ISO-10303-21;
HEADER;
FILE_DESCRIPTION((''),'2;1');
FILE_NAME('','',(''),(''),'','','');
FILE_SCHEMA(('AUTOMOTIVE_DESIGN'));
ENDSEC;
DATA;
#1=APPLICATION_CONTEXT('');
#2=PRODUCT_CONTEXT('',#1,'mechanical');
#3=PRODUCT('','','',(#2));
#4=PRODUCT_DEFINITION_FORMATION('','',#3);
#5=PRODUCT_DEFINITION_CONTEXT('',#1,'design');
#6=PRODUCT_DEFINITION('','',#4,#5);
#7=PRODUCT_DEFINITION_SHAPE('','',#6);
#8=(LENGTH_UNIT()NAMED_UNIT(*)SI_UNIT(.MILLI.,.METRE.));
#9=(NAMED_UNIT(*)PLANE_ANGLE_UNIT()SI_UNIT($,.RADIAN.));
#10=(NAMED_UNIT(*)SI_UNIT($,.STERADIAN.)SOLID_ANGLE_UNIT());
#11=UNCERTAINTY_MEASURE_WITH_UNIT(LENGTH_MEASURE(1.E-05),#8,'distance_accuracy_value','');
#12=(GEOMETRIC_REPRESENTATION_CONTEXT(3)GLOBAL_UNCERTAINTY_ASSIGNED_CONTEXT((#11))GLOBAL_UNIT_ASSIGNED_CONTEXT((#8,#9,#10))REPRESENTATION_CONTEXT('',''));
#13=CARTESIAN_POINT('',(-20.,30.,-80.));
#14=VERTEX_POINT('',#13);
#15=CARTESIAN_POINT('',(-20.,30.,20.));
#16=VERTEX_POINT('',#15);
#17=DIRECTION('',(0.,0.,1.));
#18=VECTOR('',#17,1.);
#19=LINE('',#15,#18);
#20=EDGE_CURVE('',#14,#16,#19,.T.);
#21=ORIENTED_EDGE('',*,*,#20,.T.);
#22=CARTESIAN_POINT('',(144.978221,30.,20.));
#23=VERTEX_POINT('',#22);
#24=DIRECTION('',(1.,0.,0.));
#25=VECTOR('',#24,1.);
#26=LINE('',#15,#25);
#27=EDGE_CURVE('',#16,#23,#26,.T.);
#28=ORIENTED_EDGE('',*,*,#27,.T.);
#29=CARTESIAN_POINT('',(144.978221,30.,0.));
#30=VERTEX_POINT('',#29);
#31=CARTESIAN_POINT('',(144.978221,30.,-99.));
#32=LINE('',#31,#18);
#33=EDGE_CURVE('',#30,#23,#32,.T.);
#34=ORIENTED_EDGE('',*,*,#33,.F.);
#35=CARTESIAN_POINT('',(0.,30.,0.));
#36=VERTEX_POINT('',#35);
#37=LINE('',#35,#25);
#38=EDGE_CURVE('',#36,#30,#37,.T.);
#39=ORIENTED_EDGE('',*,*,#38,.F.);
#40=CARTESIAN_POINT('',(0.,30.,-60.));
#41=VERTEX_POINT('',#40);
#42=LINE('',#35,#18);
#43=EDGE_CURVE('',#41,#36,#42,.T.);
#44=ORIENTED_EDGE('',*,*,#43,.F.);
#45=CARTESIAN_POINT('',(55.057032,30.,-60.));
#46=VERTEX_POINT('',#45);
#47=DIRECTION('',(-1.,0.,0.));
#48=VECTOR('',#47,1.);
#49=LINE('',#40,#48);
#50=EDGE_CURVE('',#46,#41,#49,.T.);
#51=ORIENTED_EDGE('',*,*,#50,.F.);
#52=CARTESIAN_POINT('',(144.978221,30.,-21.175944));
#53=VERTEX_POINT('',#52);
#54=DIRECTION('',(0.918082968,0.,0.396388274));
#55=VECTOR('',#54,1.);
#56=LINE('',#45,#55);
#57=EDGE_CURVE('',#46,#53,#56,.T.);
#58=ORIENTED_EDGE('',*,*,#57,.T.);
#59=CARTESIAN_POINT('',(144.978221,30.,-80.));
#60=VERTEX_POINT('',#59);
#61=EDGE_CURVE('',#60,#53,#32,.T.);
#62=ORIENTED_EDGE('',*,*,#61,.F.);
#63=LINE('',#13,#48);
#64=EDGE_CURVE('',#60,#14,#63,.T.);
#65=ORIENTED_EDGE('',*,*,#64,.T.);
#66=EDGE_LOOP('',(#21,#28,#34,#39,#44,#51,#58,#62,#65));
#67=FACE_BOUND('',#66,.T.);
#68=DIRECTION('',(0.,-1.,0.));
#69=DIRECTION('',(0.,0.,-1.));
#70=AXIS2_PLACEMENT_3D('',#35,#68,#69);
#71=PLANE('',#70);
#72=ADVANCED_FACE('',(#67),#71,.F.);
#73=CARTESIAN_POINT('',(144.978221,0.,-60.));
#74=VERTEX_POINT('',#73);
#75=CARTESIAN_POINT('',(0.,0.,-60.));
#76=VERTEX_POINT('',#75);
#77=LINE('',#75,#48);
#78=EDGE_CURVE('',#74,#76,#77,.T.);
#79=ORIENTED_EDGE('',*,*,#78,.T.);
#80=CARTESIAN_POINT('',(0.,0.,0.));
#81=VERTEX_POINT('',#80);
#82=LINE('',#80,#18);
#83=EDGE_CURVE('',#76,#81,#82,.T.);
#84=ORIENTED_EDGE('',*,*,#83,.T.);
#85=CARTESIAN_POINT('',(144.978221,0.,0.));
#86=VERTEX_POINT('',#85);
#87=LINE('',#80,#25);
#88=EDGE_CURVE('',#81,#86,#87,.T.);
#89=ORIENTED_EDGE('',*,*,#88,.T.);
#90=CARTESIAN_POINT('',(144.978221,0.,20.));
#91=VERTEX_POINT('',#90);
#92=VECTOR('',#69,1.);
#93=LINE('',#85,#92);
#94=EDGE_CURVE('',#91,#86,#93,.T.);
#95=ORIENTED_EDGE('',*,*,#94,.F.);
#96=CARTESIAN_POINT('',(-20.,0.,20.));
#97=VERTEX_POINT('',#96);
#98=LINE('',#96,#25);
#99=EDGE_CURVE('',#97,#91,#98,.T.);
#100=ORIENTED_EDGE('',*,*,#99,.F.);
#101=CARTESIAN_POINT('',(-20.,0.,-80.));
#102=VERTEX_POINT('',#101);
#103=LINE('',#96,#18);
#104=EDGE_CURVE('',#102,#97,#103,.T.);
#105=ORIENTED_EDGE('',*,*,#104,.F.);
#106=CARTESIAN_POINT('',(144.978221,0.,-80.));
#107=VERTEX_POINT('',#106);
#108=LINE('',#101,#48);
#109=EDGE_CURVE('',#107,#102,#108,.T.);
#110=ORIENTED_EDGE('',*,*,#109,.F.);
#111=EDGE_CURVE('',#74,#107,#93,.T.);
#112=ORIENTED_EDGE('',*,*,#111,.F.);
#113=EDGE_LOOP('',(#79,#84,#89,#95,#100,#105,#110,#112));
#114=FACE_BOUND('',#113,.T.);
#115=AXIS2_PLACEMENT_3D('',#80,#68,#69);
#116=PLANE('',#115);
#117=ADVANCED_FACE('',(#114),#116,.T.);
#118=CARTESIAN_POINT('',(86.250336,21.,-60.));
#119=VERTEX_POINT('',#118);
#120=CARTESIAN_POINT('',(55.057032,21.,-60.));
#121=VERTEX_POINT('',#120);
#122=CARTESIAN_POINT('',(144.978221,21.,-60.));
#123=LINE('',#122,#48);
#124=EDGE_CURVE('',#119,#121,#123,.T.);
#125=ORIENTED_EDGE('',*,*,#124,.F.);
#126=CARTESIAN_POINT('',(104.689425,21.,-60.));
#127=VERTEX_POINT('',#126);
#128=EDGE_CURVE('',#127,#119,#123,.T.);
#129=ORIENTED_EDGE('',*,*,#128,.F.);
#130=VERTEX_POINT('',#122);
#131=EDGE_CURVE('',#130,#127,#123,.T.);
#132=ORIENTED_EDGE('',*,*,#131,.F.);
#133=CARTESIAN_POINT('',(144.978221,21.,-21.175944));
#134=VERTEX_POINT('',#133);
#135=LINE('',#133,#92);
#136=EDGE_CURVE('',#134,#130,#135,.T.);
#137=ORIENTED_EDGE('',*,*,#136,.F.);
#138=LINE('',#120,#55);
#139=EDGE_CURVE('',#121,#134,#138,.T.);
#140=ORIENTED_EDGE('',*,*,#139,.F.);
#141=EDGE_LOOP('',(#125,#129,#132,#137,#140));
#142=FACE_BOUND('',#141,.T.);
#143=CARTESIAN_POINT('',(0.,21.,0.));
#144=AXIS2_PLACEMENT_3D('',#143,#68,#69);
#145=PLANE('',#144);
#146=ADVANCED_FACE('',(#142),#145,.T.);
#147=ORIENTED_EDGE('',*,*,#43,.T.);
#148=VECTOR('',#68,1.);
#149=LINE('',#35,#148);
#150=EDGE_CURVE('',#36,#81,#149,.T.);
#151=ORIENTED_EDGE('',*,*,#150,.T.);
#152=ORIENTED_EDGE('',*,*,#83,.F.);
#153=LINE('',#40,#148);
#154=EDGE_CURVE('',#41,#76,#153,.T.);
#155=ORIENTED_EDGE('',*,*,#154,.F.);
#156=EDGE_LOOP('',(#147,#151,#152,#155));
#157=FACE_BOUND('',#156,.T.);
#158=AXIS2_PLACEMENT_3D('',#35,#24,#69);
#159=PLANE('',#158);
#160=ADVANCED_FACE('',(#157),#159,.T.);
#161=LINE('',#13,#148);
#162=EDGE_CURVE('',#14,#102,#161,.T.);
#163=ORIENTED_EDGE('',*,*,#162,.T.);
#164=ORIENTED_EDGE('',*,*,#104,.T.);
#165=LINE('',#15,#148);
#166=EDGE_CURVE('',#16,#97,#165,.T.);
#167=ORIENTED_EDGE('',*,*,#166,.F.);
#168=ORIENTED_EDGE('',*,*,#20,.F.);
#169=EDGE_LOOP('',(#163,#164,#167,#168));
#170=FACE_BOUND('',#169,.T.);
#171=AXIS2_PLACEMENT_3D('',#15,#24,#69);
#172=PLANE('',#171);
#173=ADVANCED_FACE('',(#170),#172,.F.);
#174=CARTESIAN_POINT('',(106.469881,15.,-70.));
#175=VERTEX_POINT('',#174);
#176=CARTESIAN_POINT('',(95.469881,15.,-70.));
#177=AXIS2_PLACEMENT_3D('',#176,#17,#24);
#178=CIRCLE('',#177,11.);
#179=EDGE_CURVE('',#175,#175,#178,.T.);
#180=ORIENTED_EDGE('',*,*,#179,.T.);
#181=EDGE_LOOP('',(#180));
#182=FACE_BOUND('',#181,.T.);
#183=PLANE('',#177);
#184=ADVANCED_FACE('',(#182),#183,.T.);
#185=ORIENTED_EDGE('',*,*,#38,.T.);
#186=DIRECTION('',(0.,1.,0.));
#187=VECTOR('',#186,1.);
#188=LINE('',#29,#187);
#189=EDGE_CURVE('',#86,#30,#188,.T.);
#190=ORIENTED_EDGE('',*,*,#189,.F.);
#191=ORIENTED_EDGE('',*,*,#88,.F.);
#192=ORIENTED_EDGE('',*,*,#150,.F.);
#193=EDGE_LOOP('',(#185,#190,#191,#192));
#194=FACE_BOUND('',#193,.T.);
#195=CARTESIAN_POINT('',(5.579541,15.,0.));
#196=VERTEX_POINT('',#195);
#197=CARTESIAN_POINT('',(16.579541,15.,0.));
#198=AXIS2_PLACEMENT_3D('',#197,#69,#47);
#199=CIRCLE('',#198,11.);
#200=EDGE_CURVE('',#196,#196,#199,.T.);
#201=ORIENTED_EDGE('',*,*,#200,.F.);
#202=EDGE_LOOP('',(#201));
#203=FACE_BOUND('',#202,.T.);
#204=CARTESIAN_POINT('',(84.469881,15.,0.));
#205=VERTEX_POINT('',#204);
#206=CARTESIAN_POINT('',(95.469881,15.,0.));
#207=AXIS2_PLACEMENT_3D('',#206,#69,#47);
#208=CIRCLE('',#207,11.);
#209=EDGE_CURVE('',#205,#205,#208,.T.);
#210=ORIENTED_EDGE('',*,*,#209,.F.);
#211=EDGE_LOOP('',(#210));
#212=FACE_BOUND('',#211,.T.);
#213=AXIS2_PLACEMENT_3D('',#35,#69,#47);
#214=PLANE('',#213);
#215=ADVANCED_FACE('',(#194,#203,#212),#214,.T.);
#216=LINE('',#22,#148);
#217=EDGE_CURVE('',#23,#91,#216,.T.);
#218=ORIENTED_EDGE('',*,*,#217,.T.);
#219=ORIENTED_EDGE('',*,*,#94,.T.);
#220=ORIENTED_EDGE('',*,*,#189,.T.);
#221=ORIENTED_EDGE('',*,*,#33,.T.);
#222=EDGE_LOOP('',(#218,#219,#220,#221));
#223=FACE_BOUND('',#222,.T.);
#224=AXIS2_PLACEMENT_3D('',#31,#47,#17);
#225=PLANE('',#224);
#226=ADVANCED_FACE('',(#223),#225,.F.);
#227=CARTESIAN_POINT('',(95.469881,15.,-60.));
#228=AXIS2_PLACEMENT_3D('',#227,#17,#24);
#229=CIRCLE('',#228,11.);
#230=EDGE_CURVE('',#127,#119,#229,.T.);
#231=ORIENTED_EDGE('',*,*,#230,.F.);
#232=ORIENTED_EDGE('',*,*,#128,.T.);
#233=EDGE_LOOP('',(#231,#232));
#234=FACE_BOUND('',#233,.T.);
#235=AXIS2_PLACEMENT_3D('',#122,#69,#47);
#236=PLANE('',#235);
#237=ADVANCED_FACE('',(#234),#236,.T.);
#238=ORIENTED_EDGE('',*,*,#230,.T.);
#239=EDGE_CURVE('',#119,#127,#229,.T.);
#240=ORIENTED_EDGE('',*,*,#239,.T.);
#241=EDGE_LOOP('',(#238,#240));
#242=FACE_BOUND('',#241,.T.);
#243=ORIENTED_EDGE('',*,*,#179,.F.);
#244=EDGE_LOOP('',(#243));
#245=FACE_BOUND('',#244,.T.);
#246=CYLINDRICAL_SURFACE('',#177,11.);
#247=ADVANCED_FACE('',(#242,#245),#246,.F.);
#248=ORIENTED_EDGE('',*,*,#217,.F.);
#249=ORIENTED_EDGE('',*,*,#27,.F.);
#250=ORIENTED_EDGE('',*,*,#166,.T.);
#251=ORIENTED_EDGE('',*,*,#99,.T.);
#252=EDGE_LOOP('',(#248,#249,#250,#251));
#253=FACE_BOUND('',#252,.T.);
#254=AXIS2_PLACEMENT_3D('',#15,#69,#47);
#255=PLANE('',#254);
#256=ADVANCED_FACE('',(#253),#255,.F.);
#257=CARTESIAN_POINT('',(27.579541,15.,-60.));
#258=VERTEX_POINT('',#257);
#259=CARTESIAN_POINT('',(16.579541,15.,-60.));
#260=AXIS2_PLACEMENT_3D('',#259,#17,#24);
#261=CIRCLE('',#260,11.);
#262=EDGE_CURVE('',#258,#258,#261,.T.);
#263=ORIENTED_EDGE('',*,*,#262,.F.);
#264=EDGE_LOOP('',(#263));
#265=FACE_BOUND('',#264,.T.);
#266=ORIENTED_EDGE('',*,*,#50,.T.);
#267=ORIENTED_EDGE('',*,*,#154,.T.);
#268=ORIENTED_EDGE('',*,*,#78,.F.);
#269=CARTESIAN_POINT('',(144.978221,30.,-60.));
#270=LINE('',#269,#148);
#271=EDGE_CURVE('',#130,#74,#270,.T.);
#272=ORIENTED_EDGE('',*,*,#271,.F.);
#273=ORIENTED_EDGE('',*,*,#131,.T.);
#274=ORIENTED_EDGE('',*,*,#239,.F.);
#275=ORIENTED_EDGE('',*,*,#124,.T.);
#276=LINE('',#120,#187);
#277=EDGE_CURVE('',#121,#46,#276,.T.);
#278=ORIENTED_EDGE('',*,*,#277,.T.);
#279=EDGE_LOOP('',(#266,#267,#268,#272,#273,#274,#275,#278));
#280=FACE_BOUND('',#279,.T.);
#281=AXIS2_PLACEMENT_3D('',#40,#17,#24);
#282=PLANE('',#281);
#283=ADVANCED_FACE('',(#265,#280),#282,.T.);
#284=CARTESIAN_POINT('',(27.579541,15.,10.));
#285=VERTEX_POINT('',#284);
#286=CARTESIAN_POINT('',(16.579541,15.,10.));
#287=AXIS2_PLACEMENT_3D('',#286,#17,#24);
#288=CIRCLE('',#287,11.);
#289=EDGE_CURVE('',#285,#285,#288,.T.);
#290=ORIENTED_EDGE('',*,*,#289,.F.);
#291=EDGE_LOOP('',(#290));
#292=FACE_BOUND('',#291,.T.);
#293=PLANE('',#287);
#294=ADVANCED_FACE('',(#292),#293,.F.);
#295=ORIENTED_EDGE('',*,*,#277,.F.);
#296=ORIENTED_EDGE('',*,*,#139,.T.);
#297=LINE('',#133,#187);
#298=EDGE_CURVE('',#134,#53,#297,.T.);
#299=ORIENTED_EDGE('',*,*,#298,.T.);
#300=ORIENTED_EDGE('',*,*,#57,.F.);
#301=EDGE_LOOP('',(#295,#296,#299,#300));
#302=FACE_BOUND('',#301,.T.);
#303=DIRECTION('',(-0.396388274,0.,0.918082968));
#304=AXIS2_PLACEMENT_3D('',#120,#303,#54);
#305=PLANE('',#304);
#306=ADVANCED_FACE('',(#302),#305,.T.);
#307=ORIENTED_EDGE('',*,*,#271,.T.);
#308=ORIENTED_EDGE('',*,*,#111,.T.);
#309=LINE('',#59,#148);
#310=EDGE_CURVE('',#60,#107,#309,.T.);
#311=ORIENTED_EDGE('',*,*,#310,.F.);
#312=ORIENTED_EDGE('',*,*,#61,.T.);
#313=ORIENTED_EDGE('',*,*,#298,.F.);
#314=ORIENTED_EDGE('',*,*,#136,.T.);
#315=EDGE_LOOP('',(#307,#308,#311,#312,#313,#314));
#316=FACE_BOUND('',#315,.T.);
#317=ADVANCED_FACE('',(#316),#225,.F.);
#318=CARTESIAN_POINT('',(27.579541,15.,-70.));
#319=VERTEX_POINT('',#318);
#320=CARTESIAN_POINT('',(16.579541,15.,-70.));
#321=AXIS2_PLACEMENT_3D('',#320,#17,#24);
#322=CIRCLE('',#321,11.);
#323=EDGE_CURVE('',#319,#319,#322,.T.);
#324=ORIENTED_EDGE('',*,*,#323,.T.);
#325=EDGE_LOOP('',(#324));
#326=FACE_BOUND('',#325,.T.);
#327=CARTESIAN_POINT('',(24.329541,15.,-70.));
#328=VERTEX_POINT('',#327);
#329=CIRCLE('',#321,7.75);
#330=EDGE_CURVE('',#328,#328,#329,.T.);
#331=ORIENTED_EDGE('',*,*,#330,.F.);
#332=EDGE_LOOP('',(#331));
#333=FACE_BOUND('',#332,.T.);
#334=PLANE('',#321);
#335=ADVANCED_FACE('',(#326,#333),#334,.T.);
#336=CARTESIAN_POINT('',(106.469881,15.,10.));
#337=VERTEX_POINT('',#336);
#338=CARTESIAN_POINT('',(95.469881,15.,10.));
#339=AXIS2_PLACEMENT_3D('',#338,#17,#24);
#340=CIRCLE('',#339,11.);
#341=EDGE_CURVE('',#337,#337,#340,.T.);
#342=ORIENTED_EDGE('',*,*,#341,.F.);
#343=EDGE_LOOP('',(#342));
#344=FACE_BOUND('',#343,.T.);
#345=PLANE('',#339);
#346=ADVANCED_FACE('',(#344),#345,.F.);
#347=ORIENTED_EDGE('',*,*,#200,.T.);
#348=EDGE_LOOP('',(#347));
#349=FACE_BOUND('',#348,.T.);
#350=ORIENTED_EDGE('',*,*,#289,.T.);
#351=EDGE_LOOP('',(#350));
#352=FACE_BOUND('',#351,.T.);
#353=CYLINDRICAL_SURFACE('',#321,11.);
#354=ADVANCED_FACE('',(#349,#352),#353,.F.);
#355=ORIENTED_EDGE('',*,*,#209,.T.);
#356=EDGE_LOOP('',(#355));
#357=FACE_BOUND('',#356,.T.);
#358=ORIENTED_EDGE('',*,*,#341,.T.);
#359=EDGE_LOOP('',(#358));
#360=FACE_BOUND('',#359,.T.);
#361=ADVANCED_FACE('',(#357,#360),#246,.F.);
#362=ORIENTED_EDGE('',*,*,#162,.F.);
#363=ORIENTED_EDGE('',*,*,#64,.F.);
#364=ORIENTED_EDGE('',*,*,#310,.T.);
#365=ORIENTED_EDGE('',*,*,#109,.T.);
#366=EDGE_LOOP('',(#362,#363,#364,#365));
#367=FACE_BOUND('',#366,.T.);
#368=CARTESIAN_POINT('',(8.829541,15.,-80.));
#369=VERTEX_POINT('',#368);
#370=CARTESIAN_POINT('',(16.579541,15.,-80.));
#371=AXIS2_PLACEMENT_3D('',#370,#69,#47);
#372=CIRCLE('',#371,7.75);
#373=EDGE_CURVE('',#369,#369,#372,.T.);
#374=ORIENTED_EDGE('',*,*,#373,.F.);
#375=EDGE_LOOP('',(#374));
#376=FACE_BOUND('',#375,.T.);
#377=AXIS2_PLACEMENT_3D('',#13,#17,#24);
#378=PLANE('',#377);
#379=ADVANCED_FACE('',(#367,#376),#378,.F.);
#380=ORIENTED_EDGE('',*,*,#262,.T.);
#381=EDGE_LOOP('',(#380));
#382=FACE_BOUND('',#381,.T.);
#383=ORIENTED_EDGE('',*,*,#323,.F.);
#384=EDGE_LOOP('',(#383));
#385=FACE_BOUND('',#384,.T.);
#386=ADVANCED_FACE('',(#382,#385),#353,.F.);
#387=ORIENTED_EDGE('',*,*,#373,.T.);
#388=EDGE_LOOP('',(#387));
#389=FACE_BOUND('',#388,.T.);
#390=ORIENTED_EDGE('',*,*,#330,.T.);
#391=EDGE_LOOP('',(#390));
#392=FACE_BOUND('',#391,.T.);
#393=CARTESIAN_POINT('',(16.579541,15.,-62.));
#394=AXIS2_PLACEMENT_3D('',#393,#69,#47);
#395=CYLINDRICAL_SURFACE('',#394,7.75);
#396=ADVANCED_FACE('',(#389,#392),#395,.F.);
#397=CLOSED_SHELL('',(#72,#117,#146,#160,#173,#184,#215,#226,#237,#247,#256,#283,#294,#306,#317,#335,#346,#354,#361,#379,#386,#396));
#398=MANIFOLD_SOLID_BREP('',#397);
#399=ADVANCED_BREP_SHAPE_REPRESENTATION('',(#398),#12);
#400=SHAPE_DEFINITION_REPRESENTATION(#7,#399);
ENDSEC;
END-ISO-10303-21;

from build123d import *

# Parameters (mm, degrees)
IZIM1_W                          = 280
IZIM1_H                          = 100
IZIM1_W_2                        = 240
IZIM1_H_2                        = 60
Y_KSEKLIK_EKSTR_ZYON1_DEPTH      = 30
IZIM4_R                          = 11
KES_EKSTR_ZYON1_DEPTH            = 40
IZIM5_W                          = 65
IZIM5_H                          = 15
KES_EKSTR_ZYON2_DEPTH            = 119
KES_EKSTR_ZYON3_DEPTH            = 24.5
Y_KSEKLIK_EKSTR_ZYON4_DEPTH      = 8
Y_KSEKLIK_EKSTR_ZYON4_DEPTH_BACK = 1
IZIM13_R                         = 7.75
KES_EKSTR_ZYON4_DEPTH            = 18
IZIM14_W                         = 134.069696652
IZIM14_H                         = 104.641272027
KES_EKSTR_ZYON7_DEPTH            = 136


with BuildPart() as part:
    # Çizim1 → Yükseklik-Ekstrüzyon1 (new body)
    with BuildSketch(Plane(origin=(0, 0, 0), x_dir=(1, 0, 0), z_dir=(0, 1, 0))):
        with Locations((120, 30)):
            Rectangle(IZIM1_W, IZIM1_H)
        with Locations((120, 30)):
            Rectangle(IZIM1_W_2, IZIM1_H_2, mode=Mode.SUBTRACT)
    extrude(amount=Y_KSEKLIK_EKSTR_ZYON1_DEPTH)

    # Çizim4 → Kes-Ekstrüzyon1 (cut, symmetric)
    with BuildSketch(Plane.XY.offset(-30)):
        with Locations((228.036930768, 15)):
            Circle(IZIM4_R)
        with Locations((16.579541137, 15)):
            Circle(IZIM4_R)
        with Locations((95.469880506, 15)):
            Circle(IZIM4_R)
    extrude(amount=KES_EKSTR_ZYON1_DEPTH, both=True, mode=Mode.SUBTRACT)

    # Çizim5 → Kes-Ekstrüzyon2 (cut)
    with BuildSketch(Plane.XY.offset(20)):
        with Locations((177.478221097, 22.5)):
            Rectangle(IZIM5_W, IZIM5_H)
    extrude(amount=-KES_EKSTR_ZYON2_DEPTH, mode=Mode.SUBTRACT)

    # Çizim6 → Kes-Ekstrüzyon3 (cut, symmetric)
    with BuildSketch(Plane.XY.offset(-30)):
        Polygon((260, 31.552276972), (234.133246527, 31.552276972), (234.359911555, 20.467639669), (260, 4.801073138), align=None)
    extrude(amount=KES_EKSTR_ZYON3_DEPTH, both=True, mode=Mode.SUBTRACT)

    # Çizim10 → Yükseklik-Ekstrüzyon4 (add, two sides: drawn at the far end of the back side and taken through both)
    with BuildSketch(Plane(origin=(0, 22, 0), x_dir=(1, 0, 0), z_dir=(0, 1, 0)).offset(-Y_KSEKLIK_EKSTR_ZYON4_DEPTH_BACK)):
        Polygon((55.057032044, 60), (144.978221097, 21.175943648), (144.978221097, 60), align=None)
    extrude(amount=Y_KSEKLIK_EKSTR_ZYON4_DEPTH + Y_KSEKLIK_EKSTR_ZYON4_DEPTH_BACK)

    # Çizim13 → Kes-Ekstrüzyon4 (cut)
    with BuildSketch(Plane(origin=(0, 0, -80), x_dir=(-1, 0, 0), z_dir=(0, 0, -1))):
        with Locations((-16.579541137, 15)):
            Circle(IZIM13_R)
    extrude(amount=-KES_EKSTR_ZYON4_DEPTH, mode=Mode.SUBTRACT)

    # Çizim14 → Kes-Ekstrüzyon7 (cut)
    with BuildSketch(Plane(origin=(0, 30, 0), x_dir=(1, 0, 0), z_dir=(0, 1, 0))):
        with Locations((212.013069423, 32.320636013)):
            Rectangle(IZIM14_W, IZIM14_H)
    extrude(amount=-KES_EKSTR_ZYON7_DEPTH, mode=Mode.SUBTRACT)


solid = part.part
